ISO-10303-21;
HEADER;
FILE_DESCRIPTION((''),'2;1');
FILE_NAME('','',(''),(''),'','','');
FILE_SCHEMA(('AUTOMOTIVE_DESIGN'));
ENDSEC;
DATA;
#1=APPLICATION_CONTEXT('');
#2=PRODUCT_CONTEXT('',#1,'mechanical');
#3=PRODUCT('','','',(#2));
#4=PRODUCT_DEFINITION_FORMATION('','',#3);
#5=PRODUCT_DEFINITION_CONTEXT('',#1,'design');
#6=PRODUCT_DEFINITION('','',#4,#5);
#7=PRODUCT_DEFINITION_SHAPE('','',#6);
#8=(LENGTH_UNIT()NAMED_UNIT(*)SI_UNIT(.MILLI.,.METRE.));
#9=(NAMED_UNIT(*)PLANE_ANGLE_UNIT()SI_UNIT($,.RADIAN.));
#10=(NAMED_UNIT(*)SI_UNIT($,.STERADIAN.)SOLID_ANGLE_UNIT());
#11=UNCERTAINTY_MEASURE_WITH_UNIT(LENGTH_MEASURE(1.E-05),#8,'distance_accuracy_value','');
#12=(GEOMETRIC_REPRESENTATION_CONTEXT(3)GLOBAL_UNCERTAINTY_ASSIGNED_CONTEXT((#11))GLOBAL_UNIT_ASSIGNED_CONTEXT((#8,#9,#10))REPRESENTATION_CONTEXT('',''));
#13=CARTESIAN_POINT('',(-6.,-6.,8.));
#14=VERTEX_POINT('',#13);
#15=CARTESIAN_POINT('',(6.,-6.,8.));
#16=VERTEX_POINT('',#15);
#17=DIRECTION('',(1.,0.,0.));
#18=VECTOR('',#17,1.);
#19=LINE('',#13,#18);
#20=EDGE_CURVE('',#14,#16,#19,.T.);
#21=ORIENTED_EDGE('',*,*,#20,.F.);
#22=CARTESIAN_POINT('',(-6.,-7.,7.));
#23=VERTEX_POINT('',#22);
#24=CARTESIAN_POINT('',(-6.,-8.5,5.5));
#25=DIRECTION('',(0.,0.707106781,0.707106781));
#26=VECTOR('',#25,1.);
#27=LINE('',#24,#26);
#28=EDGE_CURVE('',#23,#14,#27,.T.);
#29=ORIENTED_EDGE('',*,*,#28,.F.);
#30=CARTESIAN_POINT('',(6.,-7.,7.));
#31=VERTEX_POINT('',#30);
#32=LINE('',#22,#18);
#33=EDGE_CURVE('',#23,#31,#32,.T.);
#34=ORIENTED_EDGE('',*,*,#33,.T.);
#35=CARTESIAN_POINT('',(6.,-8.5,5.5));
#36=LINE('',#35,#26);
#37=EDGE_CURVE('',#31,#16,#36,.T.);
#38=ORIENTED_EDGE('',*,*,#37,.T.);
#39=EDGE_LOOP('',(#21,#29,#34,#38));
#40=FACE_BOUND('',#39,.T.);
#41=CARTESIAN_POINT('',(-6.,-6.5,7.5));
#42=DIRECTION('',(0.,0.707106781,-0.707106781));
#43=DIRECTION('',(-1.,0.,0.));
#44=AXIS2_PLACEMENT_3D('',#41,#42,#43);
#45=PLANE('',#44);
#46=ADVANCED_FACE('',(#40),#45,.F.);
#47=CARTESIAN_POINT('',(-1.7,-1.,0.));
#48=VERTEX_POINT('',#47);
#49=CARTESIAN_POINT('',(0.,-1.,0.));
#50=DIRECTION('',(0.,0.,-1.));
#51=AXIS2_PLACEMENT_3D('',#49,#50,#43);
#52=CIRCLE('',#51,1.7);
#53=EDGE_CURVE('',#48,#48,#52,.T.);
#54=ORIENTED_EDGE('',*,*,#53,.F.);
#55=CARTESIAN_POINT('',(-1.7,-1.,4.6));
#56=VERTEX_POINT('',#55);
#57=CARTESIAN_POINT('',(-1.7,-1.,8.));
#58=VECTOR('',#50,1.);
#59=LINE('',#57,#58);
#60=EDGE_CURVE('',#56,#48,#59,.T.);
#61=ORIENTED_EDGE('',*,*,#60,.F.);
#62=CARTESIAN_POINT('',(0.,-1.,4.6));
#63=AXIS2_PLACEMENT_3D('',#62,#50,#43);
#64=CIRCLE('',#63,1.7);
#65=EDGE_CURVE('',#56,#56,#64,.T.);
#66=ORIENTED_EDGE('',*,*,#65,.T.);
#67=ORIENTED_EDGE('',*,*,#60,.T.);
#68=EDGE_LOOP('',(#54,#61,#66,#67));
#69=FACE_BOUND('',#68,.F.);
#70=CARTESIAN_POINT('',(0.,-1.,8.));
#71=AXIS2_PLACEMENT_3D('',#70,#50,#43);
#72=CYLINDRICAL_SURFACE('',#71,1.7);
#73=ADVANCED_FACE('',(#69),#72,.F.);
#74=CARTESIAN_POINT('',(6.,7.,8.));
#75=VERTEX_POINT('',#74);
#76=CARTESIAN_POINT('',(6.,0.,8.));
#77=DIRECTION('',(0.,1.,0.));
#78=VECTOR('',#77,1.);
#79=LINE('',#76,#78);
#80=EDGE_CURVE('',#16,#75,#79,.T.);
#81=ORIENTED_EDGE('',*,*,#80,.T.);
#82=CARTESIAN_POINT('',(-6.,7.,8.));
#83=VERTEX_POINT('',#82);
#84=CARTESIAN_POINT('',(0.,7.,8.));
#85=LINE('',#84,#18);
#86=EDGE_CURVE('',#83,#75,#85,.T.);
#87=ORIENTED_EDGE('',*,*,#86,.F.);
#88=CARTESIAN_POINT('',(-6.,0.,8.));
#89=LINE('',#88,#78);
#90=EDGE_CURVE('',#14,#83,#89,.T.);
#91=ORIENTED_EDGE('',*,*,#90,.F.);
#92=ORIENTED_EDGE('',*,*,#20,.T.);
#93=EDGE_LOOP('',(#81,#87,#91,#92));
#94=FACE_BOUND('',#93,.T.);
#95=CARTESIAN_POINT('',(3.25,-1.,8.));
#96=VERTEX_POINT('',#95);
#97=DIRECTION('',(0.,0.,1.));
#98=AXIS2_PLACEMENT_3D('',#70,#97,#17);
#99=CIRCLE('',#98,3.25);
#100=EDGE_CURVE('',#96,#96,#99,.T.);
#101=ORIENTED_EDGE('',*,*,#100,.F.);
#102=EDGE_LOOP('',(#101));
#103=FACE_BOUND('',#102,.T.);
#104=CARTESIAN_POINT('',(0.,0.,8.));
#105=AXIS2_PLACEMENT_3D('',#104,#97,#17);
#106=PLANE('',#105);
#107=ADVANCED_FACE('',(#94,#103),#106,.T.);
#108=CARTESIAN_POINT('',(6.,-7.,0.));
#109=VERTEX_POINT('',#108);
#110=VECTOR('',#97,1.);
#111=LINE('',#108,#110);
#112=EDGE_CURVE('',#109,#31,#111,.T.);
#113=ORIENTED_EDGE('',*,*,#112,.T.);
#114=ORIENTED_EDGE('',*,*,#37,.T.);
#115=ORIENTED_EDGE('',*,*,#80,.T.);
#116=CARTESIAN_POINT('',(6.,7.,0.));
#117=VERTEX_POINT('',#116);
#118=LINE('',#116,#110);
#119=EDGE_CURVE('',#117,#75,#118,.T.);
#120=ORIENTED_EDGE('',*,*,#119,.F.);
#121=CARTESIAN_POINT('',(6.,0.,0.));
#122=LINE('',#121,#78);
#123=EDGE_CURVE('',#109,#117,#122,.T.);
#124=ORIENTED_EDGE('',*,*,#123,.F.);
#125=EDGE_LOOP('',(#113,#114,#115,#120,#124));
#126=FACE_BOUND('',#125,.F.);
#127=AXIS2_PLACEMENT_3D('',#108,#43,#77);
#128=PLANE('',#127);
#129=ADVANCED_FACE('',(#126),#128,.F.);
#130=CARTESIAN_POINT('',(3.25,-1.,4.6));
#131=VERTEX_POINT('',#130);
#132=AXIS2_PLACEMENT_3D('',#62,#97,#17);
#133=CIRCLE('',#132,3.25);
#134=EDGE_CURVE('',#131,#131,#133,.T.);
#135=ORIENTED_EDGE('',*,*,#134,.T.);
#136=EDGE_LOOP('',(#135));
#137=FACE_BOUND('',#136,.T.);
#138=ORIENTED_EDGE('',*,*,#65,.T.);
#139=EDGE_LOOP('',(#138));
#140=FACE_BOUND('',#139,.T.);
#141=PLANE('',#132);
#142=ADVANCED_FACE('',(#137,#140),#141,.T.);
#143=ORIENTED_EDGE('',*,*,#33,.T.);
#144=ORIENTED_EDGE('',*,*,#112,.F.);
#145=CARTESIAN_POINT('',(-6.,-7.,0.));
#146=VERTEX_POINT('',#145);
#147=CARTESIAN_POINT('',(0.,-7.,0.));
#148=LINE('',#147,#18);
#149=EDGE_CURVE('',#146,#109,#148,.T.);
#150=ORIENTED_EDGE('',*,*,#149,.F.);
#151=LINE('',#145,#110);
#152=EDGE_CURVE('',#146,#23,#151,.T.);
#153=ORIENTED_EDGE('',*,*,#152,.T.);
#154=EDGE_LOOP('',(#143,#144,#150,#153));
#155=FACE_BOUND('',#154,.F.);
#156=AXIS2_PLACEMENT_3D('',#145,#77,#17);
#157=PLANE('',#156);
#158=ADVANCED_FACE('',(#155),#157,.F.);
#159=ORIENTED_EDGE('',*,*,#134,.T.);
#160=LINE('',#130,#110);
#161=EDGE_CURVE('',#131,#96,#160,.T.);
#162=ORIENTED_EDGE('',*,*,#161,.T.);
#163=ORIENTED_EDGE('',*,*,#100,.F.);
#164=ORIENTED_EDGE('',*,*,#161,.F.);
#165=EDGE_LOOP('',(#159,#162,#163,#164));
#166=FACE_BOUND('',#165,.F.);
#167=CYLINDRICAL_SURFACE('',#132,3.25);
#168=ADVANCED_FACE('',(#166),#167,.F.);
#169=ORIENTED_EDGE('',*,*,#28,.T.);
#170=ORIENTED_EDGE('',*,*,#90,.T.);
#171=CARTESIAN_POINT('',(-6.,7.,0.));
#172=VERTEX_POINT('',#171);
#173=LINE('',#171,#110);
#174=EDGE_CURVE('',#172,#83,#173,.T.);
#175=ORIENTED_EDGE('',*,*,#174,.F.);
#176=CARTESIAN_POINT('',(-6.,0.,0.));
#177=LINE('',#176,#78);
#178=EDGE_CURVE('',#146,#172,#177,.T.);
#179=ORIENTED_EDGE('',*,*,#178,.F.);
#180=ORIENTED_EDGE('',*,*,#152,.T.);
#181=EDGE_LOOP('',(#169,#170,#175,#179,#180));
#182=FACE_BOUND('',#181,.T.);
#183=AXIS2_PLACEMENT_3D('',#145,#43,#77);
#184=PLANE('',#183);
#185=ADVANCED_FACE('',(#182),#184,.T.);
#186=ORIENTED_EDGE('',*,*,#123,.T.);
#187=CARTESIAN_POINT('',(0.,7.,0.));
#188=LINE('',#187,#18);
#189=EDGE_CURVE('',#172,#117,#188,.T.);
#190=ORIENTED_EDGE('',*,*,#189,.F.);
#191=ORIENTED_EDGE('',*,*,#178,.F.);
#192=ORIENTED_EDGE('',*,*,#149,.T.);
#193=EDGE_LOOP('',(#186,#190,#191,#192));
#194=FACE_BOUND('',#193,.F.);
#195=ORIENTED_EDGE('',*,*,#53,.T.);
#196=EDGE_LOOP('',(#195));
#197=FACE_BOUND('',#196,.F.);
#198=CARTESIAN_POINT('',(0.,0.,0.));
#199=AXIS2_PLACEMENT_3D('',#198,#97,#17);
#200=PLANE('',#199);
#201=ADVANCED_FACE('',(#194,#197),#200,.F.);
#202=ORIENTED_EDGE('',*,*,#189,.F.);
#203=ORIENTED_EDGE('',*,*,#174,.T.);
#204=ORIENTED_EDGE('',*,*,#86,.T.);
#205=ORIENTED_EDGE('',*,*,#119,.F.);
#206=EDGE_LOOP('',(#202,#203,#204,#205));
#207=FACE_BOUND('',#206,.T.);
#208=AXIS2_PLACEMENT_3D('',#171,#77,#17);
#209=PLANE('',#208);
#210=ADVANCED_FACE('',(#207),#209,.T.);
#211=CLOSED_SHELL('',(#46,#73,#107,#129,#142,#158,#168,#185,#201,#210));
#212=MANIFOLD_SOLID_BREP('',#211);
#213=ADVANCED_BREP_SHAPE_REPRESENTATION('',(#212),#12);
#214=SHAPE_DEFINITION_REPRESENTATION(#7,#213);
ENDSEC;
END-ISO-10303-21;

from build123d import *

# Parameters (mm, degrees)
F0_W           = 12
F0_H           = 14
F1_DEPTH       = 8
F2_SIZE        = 1
F4_D           = 3.4
F4_DEPTH       = 10
F4_CBORE_D     = 6.5
F4_CBORE_DEPTH = 3.4


with BuildPart() as f1:
    # F0 (on Top) → F1 (new body)
    with BuildSketch(Plane.XY):
        Rectangle(F0_W, F0_H)
    extrude(amount=F1_DEPTH)

    # F2
    f2_edges = [f1.edges().sort_by_distance(p)[0] for p in [
        (0, -7, 8),
    ]]
    chamfer(f2_edges, length=F2_SIZE)

    # F4
    with Locations(Plane.XY.offset(8)):
        with Locations((0, -1)):
            CounterBoreHole(F4_D / 2, F4_CBORE_D / 2, F4_CBORE_DEPTH, depth=F4_DEPTH)


solid = f1.part
